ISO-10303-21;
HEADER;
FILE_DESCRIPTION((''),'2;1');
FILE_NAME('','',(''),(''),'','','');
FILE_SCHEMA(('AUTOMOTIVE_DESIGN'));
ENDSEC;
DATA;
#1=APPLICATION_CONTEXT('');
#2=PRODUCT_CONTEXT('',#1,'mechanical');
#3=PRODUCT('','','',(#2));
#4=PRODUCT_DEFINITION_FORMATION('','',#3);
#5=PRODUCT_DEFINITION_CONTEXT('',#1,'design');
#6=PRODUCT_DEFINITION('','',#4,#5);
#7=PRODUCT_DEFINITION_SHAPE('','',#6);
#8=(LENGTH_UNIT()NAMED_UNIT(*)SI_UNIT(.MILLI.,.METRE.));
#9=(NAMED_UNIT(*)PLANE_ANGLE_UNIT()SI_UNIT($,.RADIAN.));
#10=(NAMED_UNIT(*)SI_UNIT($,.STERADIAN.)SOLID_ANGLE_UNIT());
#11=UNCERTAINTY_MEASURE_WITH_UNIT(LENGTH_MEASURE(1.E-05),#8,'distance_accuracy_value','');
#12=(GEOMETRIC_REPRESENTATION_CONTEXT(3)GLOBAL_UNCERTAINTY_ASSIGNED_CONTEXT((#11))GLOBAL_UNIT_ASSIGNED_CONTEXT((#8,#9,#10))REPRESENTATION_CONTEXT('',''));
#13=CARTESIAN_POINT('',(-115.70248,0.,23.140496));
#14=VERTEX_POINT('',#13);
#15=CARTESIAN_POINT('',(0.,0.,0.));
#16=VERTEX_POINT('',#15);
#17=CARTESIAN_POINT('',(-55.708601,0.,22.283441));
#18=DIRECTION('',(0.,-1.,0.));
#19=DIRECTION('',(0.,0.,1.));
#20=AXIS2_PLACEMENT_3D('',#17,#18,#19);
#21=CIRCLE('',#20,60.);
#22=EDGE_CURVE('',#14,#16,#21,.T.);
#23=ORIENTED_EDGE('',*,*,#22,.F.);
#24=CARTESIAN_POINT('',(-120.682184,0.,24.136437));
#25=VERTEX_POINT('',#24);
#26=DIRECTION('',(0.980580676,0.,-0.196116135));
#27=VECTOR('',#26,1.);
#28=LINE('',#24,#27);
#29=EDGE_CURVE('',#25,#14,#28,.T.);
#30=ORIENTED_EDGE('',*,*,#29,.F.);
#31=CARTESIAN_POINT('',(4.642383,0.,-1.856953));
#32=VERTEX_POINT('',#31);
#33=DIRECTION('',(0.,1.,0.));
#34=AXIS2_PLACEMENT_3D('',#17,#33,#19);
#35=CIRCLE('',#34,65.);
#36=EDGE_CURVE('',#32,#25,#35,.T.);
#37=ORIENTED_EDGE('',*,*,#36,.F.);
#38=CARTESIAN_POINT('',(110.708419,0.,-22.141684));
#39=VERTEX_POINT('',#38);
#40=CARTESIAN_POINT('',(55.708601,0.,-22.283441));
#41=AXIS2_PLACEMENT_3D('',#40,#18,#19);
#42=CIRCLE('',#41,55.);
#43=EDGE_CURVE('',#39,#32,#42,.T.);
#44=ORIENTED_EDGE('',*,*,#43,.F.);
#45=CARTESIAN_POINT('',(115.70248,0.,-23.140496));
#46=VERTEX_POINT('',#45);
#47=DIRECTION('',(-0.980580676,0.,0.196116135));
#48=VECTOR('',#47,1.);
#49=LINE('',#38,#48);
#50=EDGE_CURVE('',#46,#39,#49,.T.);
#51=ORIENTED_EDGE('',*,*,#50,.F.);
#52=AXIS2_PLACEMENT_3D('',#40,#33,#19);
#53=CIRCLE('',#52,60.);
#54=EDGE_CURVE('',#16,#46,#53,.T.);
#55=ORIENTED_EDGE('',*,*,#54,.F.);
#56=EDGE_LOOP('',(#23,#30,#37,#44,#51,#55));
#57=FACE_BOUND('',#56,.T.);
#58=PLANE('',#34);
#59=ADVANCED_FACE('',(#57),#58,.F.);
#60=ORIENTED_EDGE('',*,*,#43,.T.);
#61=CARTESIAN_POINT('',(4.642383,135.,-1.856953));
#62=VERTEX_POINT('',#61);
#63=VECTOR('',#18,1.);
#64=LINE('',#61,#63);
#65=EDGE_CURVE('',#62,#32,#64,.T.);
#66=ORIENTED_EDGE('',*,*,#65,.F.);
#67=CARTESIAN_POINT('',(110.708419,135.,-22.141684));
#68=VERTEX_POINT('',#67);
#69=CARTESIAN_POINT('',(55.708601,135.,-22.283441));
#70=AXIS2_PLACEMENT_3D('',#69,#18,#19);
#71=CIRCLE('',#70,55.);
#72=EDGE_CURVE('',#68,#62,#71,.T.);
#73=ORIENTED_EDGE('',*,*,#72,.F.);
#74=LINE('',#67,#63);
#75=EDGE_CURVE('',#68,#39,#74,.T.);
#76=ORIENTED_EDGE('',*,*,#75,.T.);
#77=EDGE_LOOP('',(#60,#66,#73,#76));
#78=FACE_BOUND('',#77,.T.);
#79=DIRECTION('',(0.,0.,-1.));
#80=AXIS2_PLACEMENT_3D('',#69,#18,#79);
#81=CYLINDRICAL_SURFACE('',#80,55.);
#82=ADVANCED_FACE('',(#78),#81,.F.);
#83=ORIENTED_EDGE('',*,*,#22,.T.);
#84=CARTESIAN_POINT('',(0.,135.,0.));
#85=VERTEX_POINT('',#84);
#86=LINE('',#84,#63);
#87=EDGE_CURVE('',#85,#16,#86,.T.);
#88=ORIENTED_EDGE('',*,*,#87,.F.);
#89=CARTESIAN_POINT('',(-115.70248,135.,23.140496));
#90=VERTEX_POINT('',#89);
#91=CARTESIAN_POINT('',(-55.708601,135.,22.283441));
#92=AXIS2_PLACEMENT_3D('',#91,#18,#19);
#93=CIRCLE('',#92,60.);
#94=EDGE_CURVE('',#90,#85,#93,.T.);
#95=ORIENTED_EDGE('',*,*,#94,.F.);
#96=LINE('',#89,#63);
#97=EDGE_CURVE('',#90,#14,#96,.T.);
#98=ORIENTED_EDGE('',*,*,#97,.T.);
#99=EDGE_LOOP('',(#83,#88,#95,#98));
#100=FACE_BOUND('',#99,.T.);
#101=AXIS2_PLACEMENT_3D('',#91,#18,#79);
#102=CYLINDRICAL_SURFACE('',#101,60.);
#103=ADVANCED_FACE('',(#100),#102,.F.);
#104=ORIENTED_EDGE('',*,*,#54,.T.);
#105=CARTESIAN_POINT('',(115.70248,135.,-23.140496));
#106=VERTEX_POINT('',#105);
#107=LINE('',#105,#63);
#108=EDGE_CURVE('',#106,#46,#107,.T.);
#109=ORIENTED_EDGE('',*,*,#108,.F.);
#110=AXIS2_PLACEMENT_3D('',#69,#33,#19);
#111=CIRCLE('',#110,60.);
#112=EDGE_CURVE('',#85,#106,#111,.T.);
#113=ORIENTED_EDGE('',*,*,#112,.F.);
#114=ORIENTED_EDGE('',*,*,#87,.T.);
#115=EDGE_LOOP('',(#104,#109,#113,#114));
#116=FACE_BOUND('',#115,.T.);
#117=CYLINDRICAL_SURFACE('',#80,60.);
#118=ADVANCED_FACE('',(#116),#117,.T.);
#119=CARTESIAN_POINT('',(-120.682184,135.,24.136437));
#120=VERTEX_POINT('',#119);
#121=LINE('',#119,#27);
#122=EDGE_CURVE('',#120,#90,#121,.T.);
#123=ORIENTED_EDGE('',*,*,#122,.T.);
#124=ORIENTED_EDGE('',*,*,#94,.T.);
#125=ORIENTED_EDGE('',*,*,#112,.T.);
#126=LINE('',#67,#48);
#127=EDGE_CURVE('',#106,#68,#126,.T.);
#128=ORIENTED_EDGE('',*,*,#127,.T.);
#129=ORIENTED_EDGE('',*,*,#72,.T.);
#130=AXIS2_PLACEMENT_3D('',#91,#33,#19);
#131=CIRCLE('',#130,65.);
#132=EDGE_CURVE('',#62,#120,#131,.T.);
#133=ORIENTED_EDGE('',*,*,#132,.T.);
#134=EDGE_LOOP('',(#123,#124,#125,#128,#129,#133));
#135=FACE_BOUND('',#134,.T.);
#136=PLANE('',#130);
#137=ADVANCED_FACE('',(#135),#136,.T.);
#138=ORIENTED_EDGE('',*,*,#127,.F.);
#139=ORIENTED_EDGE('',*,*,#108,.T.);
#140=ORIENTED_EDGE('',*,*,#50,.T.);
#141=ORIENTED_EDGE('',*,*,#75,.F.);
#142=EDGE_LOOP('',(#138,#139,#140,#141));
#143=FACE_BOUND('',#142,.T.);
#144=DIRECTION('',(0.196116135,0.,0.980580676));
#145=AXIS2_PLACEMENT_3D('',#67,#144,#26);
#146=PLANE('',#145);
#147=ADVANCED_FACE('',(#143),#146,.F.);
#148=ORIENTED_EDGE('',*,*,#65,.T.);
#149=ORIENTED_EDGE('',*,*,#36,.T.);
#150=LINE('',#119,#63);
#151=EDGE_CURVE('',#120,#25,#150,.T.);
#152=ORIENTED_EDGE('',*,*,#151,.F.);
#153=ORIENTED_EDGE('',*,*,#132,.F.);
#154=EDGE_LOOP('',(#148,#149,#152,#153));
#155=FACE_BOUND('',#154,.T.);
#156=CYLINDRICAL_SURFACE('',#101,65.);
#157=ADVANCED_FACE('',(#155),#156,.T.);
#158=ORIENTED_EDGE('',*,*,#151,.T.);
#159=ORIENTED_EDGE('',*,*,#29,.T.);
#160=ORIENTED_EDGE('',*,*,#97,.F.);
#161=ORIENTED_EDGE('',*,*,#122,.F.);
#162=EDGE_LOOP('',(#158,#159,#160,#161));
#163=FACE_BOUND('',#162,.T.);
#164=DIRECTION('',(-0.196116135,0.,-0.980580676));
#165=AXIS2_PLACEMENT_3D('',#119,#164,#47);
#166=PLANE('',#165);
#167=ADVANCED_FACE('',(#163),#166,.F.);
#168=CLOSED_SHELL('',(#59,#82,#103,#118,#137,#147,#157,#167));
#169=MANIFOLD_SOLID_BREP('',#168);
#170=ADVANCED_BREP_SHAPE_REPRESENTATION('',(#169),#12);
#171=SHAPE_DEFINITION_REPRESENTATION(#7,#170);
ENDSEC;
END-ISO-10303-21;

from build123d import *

# Parameters (mm, degrees)
EXTRUDE_1_DEPTH = 135


with BuildPart() as part:
    # Эскиз4 → Бобышка-Вытянуть1 (new body)
    with BuildSketch(Plane(origin=(0, 0, 0), x_dir=(1, 0, 0), z_dir=(0, 1, 0))):
        with BuildLine():
            Line((110.708418771, 22.141683754), (115.702479941, 23.140495988))
            ThreePointArc((115.702479941, 23.140495988), (67.475569561, -36.55139996), (0, 0))
            ThreePointArc((0, 0), (-67.475569561, 36.55139996), (-115.702479941, -23.140495988))
            Line((-115.702479941, -23.140495988), (-120.682183817, -24.136436763))
            ThreePointArc((-120.682183817, -24.136436763), (-68.909214493, 41.362013423), (4.642383454, 1.856953382))
            ThreePointArc((4.642383454, 1.856953382), (66.039906911, -31.737519495), (110.708418771, 22.141683754))
        make_face()
    extrude(amount=EXTRUDE_1_DEPTH)


solid = part.part
